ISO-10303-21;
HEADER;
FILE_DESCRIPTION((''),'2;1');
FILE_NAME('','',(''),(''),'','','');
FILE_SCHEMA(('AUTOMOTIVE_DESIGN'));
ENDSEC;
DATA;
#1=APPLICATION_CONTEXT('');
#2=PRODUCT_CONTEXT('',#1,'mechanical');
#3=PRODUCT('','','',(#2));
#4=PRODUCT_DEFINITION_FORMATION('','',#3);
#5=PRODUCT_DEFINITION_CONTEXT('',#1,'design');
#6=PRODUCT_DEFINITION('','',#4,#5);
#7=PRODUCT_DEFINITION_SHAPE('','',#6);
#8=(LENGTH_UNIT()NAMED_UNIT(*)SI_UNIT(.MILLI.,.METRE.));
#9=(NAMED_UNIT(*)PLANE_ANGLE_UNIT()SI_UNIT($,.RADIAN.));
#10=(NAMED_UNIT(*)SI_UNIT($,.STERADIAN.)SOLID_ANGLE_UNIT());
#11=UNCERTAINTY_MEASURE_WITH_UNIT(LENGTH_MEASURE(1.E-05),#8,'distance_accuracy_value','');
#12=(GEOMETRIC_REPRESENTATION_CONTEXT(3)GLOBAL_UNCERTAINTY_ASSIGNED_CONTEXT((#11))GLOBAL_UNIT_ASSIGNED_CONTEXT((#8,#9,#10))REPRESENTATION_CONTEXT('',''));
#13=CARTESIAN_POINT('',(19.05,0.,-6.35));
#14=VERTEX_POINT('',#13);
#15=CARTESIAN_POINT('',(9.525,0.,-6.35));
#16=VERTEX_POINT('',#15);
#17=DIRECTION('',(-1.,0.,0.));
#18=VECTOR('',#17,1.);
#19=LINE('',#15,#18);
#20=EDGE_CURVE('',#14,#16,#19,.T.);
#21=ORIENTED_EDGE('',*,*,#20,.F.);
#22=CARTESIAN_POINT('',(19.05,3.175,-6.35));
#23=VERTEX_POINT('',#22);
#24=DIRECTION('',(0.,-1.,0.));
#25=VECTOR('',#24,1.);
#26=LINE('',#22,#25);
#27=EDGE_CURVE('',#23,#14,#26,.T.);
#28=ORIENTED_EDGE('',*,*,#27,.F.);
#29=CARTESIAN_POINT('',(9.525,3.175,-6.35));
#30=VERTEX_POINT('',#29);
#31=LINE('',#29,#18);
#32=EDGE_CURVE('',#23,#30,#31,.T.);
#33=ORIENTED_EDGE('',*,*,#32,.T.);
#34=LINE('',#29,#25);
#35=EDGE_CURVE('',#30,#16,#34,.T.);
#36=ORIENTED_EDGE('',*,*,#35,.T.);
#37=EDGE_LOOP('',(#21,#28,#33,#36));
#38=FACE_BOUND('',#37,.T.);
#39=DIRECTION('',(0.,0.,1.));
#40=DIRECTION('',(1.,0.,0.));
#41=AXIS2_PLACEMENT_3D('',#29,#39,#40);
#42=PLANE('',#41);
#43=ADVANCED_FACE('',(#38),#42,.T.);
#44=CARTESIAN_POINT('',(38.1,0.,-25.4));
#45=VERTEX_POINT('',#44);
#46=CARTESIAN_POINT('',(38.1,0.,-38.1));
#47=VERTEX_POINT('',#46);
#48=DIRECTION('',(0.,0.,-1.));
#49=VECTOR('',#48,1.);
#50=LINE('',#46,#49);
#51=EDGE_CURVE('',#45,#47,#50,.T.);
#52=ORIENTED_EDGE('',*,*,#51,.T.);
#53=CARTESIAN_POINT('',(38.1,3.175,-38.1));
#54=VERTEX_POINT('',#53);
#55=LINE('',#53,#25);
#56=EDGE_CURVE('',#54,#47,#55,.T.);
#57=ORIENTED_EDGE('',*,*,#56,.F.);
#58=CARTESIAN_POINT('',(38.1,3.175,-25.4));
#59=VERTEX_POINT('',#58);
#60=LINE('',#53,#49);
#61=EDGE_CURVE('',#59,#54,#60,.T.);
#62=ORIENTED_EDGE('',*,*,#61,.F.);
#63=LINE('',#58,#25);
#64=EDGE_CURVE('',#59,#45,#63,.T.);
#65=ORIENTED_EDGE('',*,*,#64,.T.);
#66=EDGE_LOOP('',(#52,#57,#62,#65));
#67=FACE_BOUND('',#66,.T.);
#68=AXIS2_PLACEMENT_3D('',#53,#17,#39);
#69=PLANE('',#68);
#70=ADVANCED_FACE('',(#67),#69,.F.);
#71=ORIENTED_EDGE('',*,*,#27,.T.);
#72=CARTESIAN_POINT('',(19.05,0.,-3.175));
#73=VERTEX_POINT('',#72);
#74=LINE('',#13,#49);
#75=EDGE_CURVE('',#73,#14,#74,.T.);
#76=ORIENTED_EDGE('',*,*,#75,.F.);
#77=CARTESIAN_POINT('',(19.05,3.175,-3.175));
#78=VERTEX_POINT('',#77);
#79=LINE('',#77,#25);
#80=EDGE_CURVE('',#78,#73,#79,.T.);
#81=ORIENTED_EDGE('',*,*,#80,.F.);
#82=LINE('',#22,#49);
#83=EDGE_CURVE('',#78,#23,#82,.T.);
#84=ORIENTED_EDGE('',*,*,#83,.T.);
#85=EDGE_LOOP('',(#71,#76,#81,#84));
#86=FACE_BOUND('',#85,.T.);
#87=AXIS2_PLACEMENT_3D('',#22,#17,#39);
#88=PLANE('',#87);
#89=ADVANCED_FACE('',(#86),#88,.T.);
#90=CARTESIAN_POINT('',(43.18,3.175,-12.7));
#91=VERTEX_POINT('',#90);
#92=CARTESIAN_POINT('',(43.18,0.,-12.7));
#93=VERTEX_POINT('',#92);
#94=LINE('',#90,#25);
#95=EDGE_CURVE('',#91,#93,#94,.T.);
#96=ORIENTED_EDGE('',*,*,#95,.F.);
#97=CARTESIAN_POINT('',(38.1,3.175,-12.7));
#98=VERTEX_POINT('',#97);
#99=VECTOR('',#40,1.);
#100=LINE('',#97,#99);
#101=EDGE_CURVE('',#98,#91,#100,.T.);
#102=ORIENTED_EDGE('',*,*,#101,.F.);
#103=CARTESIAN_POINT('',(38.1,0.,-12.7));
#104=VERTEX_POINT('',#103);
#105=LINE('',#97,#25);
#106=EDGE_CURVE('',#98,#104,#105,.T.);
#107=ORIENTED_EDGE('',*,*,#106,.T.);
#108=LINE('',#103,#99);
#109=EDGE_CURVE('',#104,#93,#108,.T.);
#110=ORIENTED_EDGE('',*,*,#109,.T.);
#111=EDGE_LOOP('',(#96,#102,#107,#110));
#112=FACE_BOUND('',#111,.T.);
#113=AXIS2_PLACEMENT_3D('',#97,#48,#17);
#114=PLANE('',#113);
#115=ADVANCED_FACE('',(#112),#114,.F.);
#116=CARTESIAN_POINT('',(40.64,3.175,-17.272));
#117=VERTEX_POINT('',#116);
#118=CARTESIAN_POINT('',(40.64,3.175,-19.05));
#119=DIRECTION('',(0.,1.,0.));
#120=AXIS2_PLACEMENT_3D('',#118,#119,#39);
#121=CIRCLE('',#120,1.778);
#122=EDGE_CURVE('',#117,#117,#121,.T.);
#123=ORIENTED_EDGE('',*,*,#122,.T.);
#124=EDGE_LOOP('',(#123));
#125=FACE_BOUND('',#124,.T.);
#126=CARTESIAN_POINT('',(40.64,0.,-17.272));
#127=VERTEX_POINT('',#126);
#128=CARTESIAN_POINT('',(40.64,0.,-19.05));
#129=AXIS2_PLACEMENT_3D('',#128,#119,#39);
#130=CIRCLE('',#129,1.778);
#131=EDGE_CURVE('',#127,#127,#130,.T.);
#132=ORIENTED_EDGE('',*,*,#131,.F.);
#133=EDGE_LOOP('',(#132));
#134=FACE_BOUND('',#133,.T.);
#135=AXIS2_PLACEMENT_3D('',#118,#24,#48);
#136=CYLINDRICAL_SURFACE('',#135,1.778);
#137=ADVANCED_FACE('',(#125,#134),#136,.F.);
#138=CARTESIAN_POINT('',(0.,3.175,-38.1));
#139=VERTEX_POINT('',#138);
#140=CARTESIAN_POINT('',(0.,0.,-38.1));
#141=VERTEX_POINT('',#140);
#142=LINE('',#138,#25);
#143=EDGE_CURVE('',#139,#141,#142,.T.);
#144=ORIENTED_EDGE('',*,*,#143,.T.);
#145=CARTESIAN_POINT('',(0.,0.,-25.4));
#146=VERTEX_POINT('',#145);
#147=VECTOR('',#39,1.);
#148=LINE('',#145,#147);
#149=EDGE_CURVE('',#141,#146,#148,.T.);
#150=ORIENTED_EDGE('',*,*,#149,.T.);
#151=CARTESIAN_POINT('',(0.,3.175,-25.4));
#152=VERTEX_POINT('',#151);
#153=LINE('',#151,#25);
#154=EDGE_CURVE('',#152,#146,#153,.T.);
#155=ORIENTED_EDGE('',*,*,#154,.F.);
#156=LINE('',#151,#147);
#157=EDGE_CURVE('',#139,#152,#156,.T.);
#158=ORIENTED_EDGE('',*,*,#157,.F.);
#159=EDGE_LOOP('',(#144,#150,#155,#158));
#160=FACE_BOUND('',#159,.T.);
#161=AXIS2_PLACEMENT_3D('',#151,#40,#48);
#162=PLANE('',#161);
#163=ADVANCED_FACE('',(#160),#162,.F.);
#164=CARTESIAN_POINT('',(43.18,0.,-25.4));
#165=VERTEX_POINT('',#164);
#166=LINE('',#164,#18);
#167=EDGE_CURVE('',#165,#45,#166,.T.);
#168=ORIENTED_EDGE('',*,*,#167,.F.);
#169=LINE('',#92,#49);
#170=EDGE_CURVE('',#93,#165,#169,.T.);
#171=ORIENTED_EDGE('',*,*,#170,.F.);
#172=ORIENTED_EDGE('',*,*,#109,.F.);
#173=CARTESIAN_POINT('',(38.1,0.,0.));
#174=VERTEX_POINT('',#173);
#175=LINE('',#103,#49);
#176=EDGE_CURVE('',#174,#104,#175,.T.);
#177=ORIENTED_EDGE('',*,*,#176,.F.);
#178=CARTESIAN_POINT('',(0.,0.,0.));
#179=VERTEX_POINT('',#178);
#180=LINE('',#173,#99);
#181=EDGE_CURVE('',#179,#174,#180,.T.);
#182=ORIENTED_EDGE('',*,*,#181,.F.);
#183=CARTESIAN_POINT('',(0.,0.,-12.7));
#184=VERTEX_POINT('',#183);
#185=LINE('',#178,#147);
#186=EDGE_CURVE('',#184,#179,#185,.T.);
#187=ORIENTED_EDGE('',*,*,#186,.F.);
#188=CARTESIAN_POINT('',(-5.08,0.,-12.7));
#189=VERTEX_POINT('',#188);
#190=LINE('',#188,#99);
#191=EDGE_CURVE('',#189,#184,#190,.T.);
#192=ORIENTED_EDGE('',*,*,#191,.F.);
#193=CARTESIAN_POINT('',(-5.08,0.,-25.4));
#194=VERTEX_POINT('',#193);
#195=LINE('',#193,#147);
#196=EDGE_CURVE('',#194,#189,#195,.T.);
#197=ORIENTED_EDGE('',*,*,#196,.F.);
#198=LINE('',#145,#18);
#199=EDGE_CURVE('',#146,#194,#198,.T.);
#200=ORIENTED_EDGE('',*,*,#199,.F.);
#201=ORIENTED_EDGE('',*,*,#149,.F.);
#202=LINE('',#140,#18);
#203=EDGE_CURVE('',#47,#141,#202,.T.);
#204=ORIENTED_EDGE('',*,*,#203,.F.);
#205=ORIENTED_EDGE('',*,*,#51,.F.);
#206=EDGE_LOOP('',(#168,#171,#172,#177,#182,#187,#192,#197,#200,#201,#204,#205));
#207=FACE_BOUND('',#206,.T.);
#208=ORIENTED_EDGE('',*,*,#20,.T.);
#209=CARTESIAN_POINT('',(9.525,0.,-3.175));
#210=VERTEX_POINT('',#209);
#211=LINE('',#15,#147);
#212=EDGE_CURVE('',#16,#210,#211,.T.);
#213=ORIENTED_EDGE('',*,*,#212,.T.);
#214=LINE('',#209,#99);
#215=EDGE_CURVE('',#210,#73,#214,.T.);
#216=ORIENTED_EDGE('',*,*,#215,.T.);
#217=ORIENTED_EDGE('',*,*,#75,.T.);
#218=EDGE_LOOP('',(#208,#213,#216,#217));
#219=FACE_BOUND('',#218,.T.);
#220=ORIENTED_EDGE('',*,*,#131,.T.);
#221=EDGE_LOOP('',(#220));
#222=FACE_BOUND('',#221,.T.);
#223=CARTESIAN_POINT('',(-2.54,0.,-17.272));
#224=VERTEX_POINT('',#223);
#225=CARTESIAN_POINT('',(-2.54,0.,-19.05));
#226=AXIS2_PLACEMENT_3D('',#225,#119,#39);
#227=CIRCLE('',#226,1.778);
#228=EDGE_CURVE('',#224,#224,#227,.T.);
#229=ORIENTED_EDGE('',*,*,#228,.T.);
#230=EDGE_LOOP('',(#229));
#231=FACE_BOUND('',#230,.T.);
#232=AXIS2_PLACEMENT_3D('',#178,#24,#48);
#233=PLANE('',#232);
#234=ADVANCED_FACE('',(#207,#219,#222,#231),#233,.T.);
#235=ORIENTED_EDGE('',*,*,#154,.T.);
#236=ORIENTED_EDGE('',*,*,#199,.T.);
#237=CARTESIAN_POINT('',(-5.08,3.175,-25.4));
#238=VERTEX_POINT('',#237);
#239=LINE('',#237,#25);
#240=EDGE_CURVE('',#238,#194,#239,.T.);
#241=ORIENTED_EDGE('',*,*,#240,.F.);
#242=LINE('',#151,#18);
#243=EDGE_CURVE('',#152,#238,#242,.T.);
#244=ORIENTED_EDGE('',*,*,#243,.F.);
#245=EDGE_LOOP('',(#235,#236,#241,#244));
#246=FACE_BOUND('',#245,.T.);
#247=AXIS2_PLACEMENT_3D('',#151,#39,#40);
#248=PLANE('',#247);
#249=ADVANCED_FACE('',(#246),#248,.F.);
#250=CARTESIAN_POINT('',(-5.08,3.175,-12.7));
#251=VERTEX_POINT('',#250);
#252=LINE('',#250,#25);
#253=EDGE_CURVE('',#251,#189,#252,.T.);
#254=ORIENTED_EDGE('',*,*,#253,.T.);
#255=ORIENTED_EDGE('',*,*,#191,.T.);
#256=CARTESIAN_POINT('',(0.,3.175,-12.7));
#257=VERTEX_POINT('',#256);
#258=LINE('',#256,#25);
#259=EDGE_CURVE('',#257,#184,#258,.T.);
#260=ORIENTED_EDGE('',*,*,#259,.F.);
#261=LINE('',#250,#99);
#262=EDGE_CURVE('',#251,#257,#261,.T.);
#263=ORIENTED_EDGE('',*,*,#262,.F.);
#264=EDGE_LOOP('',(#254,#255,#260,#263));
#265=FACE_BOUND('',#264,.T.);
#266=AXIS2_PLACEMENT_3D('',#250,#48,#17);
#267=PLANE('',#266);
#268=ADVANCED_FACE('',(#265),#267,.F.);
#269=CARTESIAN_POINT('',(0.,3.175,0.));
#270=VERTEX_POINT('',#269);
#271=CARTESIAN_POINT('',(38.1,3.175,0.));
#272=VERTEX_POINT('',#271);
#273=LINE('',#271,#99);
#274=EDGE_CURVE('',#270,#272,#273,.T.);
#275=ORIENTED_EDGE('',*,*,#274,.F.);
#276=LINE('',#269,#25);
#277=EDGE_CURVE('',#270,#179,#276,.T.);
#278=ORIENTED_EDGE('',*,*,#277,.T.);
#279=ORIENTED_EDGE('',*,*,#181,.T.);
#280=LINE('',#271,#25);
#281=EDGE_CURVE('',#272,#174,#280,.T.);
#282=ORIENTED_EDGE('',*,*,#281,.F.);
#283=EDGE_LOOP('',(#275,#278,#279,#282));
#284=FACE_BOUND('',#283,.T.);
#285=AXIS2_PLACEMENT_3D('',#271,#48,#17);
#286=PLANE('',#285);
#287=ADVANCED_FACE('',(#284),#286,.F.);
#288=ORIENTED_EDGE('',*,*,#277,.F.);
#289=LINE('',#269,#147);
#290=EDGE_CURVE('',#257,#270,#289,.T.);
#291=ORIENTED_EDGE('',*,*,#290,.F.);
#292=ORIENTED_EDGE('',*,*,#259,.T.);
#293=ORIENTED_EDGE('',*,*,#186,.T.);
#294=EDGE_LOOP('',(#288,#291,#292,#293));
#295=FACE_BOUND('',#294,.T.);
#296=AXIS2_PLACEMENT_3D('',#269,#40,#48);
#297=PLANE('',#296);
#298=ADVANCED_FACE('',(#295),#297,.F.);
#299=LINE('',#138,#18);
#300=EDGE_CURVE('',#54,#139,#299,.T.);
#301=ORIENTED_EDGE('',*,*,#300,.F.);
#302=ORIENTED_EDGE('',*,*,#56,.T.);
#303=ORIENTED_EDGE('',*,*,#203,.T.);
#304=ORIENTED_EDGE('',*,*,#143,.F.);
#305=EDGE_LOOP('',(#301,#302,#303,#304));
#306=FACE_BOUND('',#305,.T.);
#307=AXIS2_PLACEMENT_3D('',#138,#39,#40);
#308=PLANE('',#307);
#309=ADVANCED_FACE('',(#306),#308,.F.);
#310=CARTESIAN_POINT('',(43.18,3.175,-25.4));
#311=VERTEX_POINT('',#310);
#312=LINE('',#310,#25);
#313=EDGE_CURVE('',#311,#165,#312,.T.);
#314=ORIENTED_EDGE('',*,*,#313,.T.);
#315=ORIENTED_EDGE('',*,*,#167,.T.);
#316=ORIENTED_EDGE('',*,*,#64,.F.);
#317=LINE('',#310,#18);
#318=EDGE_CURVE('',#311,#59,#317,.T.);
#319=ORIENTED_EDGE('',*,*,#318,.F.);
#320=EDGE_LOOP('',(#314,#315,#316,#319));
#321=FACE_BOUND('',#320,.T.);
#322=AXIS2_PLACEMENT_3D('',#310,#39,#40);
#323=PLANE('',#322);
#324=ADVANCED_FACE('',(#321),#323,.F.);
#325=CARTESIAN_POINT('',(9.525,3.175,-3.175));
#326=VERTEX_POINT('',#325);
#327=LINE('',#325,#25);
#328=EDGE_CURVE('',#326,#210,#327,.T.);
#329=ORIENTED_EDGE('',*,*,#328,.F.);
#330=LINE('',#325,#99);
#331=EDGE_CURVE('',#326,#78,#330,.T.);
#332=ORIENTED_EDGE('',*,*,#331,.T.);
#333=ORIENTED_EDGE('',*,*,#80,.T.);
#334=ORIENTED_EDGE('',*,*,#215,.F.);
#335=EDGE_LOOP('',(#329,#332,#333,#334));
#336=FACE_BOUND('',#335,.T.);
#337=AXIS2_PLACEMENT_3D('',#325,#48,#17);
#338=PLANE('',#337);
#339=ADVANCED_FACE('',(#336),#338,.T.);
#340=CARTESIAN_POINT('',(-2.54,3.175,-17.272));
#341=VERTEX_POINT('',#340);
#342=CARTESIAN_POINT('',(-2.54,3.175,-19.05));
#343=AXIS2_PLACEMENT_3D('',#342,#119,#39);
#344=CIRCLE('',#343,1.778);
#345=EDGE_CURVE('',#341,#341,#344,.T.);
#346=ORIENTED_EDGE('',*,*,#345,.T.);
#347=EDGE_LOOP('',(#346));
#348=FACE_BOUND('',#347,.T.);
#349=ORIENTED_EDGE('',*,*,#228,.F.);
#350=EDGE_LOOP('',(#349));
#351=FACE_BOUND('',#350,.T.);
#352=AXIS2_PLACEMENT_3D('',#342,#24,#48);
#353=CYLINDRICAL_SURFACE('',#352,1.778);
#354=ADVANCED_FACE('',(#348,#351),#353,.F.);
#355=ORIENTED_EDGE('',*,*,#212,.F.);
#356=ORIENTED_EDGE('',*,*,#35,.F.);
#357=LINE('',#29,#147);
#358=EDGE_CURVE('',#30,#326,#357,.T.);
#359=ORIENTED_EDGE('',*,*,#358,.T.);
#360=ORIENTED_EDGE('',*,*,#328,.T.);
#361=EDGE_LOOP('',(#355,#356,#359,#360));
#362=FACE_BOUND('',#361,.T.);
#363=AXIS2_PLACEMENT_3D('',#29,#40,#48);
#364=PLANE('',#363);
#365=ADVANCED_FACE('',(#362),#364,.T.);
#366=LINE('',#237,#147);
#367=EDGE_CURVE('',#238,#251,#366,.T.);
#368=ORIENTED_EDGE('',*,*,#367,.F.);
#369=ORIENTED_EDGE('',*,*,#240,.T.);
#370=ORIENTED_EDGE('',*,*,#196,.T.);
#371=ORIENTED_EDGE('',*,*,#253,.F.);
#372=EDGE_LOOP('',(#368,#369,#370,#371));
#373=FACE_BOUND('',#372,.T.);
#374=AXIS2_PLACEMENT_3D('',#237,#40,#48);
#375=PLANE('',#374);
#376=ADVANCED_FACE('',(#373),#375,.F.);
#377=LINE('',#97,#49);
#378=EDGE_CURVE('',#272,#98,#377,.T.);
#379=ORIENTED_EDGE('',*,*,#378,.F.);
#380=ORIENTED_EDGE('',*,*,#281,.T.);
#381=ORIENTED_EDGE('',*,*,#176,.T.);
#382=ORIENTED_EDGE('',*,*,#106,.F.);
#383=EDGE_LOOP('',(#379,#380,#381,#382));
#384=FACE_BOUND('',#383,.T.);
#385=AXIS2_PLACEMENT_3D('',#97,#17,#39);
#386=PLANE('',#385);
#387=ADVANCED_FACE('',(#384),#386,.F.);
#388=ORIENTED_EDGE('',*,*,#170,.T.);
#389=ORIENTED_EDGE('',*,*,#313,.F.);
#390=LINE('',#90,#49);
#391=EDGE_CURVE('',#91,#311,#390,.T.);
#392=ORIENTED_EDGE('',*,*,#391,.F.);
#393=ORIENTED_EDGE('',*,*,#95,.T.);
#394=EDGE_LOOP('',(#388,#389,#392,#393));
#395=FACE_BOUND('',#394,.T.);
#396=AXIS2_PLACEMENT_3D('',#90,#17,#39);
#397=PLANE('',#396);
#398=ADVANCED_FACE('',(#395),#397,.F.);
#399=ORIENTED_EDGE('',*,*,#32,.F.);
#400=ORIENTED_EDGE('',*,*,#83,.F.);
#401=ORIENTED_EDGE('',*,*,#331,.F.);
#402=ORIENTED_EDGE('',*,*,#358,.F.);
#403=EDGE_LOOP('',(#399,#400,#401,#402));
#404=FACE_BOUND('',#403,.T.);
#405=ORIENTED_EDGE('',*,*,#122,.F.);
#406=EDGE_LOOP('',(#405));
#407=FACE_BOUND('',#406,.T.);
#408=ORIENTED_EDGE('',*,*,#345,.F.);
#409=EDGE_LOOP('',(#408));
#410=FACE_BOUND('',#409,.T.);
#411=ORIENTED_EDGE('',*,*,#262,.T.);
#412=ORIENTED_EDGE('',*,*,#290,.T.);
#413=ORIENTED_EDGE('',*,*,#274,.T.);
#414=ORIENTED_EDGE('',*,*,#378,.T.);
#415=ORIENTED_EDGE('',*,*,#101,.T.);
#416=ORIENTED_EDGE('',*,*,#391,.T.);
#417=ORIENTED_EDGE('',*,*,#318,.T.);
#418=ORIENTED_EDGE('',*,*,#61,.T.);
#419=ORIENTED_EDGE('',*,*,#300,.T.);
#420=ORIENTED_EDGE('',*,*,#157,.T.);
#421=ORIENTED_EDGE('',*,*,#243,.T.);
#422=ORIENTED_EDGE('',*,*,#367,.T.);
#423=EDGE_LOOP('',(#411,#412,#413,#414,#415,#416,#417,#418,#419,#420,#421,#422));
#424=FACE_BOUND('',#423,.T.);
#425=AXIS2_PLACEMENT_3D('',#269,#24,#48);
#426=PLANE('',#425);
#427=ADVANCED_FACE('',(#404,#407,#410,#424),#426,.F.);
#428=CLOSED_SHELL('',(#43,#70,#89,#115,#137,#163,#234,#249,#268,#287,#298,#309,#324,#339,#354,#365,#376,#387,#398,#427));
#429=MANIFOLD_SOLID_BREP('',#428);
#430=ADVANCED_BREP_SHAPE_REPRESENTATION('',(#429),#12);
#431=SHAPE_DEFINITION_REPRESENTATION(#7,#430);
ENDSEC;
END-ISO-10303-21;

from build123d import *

# Parameters (mm, degrees)
SKETCH1_R           = 1.778
SKETCH1_W           = 9.525
SKETCH1_H           = 3.175
BOSS_EXTRUDE1_DEPTH = 3.175


with BuildPart() as part:
    # Sketch1 → Boss-Extrude1 (new body)
    with BuildSketch(Plane(origin=(0, 0, 0), x_dir=(1, 0, 0), z_dir=(0, 1, 0))):
        Polygon((0, 0), (0, 12.7), (-5.08, 12.7), (-5.08, 25.4), (0, 25.4), (0, 38.1), (38.1, 38.1), (38.1, 25.4), (43.18, 25.4), (43.18, 12.7), (38.1, 12.7), (38.1, 0), align=None)
        with Locations(Location((-2.54, 19.05, 0), (0, 0, 270))):
            Circle(SKETCH1_R, mode=Mode.SUBTRACT)
        with Locations(Location((40.64, 19.05, 0), (0, 0, 270))):
            Circle(SKETCH1_R, mode=Mode.SUBTRACT)
        with Locations((14.2875, 4.7625)):
            Rectangle(SKETCH1_W, SKETCH1_H, mode=Mode.SUBTRACT)
    extrude(amount=BOSS_EXTRUDE1_DEPTH)


solid = part.part
